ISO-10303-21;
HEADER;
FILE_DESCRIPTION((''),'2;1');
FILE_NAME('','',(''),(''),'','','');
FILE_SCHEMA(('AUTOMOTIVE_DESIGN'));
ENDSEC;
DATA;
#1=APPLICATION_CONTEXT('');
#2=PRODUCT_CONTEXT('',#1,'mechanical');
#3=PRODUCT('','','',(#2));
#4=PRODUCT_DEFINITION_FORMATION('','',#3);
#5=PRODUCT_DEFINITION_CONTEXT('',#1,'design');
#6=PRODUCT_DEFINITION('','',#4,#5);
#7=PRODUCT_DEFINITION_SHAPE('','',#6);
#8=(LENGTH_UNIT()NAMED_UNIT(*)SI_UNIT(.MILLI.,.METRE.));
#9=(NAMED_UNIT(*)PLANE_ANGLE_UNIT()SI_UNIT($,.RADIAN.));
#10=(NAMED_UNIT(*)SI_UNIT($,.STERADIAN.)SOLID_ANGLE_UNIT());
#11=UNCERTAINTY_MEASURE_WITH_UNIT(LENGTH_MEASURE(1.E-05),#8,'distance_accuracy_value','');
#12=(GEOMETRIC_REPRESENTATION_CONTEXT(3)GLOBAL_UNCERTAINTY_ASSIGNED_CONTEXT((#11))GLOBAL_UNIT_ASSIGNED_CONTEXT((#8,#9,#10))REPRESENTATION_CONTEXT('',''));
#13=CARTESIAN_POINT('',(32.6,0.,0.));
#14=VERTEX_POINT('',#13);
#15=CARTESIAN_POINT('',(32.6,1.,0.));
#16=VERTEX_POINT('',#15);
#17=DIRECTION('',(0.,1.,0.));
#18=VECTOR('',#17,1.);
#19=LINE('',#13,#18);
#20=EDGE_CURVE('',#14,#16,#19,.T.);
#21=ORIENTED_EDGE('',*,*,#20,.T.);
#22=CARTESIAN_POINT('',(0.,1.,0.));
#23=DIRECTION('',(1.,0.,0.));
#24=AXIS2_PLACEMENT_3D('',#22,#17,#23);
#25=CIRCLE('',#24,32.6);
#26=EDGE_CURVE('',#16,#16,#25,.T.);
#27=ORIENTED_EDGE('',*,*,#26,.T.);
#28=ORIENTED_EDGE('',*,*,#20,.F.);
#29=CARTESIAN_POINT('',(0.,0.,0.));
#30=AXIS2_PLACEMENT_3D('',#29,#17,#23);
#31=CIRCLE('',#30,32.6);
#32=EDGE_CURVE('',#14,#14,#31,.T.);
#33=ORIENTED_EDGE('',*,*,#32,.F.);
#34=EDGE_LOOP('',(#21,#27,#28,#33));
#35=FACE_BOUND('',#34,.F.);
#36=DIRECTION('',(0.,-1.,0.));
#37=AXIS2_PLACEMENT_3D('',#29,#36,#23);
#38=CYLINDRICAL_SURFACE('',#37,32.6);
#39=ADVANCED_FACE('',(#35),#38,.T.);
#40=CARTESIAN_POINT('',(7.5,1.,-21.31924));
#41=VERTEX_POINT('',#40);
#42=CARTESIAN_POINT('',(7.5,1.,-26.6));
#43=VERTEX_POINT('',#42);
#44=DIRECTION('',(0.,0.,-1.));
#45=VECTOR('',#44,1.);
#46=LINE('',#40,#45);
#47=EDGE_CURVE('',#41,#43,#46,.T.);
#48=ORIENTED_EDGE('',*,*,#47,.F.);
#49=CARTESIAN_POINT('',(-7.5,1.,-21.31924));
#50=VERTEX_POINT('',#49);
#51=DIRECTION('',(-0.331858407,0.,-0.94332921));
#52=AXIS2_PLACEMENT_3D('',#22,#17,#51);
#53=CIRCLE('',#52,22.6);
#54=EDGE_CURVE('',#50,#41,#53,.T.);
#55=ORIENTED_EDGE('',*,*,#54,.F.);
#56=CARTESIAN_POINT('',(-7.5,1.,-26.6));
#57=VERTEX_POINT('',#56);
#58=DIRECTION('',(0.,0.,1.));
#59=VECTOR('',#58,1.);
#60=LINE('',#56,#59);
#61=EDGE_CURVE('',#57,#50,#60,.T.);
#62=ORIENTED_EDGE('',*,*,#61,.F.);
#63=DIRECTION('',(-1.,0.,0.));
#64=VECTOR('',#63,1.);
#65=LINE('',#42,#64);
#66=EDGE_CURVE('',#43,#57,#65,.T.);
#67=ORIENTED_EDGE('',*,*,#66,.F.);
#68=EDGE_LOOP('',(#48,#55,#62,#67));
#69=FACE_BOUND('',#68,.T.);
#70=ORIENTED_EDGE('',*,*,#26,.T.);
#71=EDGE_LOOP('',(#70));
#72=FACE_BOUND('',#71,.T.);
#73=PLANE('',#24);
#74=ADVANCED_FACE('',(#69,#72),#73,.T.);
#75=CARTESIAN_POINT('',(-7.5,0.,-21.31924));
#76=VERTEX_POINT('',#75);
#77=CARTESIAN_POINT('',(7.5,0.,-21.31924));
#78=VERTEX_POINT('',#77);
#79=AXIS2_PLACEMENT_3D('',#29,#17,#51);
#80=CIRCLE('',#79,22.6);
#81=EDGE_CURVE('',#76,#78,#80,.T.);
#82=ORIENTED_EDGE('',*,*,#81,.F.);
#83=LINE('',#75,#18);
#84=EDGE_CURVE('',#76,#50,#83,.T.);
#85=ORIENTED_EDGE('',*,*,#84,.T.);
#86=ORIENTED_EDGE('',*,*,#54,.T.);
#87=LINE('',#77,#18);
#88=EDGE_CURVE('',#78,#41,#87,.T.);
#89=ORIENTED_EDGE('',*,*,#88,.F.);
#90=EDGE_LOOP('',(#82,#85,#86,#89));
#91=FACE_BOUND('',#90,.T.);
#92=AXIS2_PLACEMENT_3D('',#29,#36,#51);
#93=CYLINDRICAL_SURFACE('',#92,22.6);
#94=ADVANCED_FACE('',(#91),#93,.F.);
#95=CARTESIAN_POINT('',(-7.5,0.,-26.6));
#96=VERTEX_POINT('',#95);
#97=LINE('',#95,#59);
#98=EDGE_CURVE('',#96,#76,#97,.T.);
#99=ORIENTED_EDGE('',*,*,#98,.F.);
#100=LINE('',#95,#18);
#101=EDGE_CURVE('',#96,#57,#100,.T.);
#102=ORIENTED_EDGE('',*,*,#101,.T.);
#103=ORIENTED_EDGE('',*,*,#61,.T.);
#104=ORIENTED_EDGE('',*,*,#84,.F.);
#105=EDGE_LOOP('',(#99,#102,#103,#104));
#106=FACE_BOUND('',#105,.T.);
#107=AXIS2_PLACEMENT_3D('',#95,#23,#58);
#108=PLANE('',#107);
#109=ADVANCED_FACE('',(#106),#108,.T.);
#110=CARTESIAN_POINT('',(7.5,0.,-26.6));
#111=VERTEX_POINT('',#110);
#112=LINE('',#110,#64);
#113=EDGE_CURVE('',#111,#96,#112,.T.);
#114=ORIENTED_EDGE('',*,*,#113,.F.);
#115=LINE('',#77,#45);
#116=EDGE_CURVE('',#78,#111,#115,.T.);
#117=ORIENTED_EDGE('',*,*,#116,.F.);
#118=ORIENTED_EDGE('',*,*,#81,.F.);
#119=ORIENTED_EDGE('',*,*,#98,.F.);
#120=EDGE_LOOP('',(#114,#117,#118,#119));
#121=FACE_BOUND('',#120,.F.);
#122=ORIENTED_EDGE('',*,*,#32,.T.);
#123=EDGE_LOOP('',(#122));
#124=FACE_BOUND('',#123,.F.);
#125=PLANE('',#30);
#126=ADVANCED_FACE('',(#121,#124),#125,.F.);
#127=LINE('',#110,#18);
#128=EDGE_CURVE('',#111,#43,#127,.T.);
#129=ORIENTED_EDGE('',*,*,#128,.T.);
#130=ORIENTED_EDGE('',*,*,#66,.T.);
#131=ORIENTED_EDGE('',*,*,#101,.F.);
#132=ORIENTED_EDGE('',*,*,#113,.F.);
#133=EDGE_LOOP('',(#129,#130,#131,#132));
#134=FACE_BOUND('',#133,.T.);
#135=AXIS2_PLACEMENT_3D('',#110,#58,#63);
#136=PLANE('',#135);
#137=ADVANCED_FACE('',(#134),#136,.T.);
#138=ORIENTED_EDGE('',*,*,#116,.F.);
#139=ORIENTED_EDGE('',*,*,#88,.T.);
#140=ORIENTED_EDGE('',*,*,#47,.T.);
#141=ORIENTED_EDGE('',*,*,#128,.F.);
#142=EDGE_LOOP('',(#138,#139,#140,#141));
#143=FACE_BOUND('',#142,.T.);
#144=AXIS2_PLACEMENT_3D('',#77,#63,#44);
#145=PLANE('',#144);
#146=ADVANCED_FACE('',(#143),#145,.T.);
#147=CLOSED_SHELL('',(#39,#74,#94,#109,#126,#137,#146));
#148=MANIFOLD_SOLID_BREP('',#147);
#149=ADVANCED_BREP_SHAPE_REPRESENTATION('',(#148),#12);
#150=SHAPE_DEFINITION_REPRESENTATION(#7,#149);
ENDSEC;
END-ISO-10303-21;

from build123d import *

# Parameters (mm, degrees)
SKETCH1_R      = 32.6
EXTRUDE1_DEPTH = 1


with BuildPart() as part:
    # Sketch1 → Extrude1 (new body)
    with BuildSketch(Plane(origin=(0, 0, 0), x_dir=(1, 0, 0), z_dir=(0, 1, 0))):
        Circle(SKETCH1_R)
        with BuildLine():
            Line((-7.5, 26.6), (-7.5, 21.319240137))
            ThreePointArc((-7.5, 21.319240137), (0, -22.6), (7.5, 21.319240137))
            Line((7.5, 21.319240137), (7.5, 26.6))
            Line((7.5, 26.6), (-7.5, 26.6))
        make_face(mode=Mode.SUBTRACT)
    extrude(amount=EXTRUDE1_DEPTH)


solid = part.part
